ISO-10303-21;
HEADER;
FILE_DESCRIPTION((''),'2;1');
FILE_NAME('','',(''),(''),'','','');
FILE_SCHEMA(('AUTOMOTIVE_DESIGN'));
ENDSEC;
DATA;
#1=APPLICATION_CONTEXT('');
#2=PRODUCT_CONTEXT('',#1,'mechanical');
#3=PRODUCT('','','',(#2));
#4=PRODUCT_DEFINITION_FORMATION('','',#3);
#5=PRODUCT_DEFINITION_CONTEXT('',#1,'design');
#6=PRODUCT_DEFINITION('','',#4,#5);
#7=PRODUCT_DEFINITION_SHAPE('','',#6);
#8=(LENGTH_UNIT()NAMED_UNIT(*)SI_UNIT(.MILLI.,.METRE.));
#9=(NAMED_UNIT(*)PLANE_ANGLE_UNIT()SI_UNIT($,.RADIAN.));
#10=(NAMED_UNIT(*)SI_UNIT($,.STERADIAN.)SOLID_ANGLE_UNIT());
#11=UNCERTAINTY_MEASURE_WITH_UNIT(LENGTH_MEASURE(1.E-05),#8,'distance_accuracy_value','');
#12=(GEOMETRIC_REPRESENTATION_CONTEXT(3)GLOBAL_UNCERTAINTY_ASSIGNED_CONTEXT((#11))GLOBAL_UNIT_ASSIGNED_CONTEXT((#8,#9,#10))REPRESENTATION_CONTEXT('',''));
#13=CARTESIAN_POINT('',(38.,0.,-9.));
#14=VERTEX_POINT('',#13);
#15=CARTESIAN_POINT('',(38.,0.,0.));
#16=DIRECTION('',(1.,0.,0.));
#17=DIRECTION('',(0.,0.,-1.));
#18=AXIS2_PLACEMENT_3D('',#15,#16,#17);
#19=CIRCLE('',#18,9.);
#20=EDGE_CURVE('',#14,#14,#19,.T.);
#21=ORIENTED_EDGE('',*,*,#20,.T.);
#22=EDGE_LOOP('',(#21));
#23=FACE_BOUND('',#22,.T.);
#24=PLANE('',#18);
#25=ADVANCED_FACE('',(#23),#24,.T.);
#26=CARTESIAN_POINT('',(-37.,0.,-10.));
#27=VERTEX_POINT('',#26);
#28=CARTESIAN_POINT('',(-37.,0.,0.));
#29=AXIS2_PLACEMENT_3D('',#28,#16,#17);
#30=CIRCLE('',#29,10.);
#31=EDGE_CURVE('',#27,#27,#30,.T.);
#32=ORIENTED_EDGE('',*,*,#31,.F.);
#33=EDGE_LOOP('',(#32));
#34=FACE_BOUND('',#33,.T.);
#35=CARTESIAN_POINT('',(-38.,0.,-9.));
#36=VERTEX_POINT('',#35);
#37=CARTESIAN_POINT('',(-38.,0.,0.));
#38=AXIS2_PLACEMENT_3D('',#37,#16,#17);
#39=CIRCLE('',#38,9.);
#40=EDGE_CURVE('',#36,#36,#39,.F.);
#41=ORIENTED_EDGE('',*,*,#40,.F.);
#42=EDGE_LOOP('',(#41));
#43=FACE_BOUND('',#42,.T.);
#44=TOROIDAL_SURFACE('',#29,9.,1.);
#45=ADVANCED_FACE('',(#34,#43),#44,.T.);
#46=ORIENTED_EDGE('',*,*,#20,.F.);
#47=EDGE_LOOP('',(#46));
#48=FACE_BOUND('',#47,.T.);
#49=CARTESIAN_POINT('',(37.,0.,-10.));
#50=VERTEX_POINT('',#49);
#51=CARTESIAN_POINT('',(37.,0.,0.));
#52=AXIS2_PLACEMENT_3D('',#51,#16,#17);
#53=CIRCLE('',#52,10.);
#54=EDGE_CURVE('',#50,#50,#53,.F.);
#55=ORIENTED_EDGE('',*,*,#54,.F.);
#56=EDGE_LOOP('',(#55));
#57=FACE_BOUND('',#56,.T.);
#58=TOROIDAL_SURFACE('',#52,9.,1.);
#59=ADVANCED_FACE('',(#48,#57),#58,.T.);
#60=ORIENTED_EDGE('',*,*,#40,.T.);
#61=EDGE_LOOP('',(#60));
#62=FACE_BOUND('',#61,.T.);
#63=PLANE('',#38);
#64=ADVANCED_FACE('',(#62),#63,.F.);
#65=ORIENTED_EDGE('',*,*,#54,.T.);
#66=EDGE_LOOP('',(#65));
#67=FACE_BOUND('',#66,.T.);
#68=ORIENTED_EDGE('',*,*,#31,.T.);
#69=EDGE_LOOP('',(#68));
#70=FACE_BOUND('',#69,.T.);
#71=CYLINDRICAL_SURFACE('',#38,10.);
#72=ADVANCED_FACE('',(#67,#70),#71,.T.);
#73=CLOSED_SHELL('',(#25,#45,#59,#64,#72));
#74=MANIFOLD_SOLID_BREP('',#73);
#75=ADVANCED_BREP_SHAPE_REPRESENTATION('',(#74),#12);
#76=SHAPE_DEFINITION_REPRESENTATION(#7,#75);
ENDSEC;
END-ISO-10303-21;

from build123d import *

# Parameters (mm, degrees)
BOSS_EXTRUDE1_DEPTH      = 38
BOSS_EXTRUDE1_DEPTH_BACK = 38
SKETCH1_R                = 10
FILLET1_R                = 1


with BuildPart() as part:
    # Sketch1 → Boss-Extrude1 (new, two sides: drawn at the far end of the back side and taken through both)
    with BuildSketch(Plane(origin=(0, 0, 0), x_dir=(0, 0, -1), z_dir=(1, 0, 0)).offset(-BOSS_EXTRUDE1_DEPTH_BACK)):
        Circle(SKETCH1_R)
    extrude(amount=BOSS_EXTRUDE1_DEPTH + BOSS_EXTRUDE1_DEPTH_BACK)

    # Fillet1
    fillet1_edges = [part.edges().sort_by_distance(p)[0] for p in [
        (38, 0, 10),
        (-38, 0, 10),
    ]]
    fillet(fillet1_edges, radius=FILLET1_R)


solid = part.part
